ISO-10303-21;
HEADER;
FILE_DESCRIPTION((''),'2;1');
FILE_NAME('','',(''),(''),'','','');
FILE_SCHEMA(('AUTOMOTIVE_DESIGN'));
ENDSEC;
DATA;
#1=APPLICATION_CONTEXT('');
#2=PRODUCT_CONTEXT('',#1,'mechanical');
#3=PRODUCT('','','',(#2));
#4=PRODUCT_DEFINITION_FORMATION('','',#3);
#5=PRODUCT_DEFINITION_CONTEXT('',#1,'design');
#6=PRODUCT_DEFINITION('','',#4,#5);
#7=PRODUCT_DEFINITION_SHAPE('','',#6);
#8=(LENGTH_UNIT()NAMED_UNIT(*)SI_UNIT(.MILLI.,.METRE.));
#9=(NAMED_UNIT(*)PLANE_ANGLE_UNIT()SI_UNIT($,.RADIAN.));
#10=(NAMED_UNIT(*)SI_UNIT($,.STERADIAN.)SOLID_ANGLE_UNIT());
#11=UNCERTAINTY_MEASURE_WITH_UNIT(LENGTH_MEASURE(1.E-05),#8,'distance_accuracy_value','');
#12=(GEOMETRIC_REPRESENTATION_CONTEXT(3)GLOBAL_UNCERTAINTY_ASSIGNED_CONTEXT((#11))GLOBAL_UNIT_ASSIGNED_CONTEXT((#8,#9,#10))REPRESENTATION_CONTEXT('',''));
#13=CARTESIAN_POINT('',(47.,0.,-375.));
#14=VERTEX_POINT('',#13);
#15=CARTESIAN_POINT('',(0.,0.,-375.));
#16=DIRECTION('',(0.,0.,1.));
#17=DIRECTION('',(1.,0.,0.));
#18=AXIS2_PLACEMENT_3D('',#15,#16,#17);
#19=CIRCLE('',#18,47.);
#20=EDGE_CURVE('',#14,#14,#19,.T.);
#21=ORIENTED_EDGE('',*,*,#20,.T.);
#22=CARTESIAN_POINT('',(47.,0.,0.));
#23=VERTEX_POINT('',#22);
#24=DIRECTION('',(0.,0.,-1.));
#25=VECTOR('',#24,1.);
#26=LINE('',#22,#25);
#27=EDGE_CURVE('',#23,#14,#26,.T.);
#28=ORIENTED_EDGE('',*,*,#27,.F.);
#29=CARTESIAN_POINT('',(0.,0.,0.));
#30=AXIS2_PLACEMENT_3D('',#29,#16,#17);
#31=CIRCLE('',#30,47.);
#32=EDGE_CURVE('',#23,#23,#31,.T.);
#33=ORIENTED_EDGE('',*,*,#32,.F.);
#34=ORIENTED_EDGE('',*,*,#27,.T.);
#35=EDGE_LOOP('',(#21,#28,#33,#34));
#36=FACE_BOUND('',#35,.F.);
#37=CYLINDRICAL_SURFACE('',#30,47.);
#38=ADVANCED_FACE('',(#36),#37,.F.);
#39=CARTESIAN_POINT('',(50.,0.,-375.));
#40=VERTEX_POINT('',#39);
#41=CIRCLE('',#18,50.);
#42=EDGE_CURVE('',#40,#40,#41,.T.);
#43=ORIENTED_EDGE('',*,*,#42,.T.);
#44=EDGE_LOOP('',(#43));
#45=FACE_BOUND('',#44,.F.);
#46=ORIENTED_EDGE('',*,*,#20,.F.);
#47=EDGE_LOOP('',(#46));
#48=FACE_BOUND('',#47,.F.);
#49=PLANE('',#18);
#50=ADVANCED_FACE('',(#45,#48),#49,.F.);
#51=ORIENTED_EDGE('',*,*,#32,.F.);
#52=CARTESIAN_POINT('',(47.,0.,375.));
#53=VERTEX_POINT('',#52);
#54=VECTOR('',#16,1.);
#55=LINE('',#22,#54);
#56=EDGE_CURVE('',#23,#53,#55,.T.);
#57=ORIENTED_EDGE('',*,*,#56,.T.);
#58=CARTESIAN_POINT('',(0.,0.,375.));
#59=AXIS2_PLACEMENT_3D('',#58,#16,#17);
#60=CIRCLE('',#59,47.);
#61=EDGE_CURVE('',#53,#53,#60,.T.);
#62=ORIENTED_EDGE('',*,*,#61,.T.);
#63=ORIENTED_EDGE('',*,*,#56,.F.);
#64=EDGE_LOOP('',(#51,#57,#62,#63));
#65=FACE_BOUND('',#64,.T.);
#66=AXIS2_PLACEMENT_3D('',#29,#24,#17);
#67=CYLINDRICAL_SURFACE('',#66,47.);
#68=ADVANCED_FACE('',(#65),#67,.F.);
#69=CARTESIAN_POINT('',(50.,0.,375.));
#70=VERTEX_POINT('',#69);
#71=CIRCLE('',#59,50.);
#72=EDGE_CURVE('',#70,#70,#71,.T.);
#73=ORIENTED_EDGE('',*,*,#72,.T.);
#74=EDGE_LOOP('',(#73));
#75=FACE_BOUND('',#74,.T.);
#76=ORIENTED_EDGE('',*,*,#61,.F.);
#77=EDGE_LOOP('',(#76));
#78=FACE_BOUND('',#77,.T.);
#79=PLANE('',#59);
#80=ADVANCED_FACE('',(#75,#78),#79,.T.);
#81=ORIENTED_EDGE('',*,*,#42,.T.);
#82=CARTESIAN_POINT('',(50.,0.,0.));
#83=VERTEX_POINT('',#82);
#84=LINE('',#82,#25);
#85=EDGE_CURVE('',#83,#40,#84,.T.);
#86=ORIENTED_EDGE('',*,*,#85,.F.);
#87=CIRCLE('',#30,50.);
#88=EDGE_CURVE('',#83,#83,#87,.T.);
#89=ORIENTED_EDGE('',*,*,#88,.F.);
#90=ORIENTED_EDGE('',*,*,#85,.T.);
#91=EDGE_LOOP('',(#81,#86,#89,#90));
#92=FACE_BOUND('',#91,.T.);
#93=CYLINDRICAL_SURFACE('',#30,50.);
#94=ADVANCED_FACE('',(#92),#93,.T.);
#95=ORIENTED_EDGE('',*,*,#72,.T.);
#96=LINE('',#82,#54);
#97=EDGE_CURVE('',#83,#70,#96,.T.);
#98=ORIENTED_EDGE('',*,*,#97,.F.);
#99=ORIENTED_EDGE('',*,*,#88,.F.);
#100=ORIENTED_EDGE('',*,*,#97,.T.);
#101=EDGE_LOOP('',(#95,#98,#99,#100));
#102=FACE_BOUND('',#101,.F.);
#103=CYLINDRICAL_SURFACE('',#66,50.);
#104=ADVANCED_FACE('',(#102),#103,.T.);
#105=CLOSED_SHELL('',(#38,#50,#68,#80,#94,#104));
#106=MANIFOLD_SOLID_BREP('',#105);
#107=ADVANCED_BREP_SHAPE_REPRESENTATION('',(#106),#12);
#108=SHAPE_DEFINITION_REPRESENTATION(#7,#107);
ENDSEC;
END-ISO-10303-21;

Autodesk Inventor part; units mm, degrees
ref_plane "YZ Plane" through (0, 0, 0) normal (1, 0, 0) x (0, 1, 0)
ref_plane "XZ Plane" through (0, 0, 0) normal (0, 1, 0) x (-1, 0, 0)
ref_plane "XY Plane" through (0, 0, 0) normal (0, 0, 1) x (1, 0, 0)
sketch "tubo_Sketch1" plane through (0, 0, 0) normal (0, 0, 1) x (1, 0, 0)
  circle A0 centre (0, 0) radius 50
  circle A1 centre (0, 0) radius 47
  dimension "d0" = 100
  dimension "d1" = 3
extrude "Tubo_extrusão" add sketch "tubo_Sketch1" along normal mid plane 750
properties part number "tubo_0001_0001" material "Stainless Steel"
